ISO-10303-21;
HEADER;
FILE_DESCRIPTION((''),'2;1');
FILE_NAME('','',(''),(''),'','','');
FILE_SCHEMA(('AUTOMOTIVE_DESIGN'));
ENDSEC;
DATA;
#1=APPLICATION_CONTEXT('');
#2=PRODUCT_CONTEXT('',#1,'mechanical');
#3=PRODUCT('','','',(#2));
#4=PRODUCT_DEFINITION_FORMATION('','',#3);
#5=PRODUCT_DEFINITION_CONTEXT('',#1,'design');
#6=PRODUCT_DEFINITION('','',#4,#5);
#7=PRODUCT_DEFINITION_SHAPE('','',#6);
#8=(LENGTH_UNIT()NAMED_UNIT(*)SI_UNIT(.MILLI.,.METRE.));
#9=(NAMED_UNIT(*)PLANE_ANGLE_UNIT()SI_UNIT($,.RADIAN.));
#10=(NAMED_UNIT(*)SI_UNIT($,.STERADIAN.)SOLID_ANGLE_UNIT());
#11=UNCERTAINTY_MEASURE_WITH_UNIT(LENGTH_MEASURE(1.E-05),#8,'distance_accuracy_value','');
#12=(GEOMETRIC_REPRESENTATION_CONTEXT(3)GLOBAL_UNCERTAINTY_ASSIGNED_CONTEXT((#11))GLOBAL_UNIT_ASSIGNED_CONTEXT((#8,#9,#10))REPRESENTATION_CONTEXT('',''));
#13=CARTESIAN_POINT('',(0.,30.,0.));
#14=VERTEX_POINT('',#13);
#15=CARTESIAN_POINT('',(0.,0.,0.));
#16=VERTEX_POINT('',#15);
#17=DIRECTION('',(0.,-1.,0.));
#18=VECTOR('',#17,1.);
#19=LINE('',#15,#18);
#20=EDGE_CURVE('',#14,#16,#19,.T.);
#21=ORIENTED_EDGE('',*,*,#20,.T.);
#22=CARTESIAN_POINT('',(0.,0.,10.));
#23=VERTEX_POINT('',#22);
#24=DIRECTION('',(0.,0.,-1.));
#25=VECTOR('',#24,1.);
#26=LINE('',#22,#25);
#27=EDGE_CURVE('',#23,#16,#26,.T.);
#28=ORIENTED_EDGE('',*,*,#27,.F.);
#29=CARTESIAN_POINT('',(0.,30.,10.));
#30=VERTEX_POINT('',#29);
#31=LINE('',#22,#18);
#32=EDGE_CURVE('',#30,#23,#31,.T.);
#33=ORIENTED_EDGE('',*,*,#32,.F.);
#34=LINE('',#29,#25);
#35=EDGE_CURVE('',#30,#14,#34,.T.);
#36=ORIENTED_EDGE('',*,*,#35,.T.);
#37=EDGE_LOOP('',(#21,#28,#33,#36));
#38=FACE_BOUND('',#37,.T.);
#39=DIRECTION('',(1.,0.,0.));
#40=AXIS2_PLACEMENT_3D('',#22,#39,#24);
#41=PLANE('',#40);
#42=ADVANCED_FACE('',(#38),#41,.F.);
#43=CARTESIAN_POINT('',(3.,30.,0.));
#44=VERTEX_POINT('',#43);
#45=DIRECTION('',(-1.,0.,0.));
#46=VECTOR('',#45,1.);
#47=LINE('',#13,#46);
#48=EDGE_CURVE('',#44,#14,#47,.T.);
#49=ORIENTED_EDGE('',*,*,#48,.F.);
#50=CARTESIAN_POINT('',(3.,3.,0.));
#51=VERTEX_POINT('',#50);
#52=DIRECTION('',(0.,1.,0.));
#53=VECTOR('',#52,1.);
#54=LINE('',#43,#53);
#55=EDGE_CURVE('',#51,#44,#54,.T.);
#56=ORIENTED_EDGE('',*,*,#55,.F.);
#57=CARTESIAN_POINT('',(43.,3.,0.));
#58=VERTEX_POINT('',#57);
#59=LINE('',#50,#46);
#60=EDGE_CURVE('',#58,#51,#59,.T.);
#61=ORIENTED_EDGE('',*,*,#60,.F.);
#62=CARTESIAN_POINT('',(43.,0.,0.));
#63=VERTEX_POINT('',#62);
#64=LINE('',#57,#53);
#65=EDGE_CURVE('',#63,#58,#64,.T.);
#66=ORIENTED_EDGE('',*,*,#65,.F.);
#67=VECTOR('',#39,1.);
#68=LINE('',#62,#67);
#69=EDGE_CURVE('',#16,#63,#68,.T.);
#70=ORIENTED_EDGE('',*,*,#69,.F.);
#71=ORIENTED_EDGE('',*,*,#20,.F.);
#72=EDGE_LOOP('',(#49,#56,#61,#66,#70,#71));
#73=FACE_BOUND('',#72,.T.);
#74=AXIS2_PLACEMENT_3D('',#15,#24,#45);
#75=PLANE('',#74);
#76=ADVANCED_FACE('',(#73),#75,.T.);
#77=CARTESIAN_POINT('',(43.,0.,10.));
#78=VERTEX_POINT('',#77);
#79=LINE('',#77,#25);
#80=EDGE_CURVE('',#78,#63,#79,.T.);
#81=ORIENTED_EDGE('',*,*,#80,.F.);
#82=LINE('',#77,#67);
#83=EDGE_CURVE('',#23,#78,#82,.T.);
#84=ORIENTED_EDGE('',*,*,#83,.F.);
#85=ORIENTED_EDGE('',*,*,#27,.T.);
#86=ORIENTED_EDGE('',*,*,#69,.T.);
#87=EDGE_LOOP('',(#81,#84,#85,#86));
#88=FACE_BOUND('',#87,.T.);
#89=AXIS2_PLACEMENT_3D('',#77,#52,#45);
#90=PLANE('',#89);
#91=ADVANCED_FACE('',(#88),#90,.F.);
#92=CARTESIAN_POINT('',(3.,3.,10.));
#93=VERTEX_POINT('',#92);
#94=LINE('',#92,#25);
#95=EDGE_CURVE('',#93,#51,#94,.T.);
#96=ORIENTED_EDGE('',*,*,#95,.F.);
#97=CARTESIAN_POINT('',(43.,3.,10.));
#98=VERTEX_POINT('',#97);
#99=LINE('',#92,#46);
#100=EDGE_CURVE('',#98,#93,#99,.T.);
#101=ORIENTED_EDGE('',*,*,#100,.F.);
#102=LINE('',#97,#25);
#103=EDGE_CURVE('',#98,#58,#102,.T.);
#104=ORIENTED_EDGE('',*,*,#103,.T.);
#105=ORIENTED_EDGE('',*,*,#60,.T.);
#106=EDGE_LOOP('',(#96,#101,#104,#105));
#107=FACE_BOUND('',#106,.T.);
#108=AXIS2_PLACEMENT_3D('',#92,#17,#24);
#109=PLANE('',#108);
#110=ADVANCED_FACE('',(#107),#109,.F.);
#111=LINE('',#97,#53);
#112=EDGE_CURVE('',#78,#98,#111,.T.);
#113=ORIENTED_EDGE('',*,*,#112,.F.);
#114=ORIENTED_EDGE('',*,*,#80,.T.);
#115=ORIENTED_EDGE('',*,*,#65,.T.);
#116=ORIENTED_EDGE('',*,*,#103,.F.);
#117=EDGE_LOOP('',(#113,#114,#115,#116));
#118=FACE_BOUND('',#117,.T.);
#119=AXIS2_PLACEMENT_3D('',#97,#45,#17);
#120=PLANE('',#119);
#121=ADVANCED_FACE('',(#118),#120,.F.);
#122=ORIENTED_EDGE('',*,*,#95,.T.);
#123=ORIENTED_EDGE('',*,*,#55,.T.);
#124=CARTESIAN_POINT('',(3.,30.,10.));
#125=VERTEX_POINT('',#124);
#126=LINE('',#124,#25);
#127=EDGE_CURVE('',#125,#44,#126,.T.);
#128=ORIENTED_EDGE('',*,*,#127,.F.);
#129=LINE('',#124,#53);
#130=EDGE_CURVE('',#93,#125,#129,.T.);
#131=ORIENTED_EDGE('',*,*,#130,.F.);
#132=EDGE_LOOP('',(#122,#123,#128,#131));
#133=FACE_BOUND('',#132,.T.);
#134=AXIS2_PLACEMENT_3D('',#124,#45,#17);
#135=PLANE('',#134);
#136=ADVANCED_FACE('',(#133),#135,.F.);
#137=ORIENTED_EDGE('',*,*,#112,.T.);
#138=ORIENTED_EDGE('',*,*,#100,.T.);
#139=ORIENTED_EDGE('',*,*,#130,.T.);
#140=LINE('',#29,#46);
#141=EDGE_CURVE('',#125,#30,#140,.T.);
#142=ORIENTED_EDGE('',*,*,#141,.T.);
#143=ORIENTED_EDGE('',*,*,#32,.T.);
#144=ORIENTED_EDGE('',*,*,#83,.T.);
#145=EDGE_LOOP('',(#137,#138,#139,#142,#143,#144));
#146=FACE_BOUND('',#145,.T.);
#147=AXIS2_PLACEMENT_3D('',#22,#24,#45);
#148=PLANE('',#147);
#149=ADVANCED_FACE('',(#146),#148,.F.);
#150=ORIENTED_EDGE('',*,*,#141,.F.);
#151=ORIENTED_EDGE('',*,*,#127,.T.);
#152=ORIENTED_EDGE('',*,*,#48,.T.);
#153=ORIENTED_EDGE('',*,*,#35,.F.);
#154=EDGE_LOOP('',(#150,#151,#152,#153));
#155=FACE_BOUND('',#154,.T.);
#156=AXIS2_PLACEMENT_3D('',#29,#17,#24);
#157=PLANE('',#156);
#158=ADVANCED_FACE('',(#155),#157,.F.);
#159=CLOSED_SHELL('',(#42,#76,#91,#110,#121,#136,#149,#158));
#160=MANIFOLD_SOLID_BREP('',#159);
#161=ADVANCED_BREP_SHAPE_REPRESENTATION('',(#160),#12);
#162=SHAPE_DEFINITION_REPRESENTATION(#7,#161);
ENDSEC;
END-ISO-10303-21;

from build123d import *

# Parameters (mm, degrees)
BOSS_EXTRUDE1_DEPTH = 10


with BuildPart() as part:
    # Sketch1 → Boss-Extrude1 (new body)
    with BuildSketch(Plane.XY):
        Polygon((0, 0), (0, 30), (3, 30), (3, 3), (43, 3), (43, 0), align=None)
    extrude(amount=BOSS_EXTRUDE1_DEPTH)


solid = part.part
